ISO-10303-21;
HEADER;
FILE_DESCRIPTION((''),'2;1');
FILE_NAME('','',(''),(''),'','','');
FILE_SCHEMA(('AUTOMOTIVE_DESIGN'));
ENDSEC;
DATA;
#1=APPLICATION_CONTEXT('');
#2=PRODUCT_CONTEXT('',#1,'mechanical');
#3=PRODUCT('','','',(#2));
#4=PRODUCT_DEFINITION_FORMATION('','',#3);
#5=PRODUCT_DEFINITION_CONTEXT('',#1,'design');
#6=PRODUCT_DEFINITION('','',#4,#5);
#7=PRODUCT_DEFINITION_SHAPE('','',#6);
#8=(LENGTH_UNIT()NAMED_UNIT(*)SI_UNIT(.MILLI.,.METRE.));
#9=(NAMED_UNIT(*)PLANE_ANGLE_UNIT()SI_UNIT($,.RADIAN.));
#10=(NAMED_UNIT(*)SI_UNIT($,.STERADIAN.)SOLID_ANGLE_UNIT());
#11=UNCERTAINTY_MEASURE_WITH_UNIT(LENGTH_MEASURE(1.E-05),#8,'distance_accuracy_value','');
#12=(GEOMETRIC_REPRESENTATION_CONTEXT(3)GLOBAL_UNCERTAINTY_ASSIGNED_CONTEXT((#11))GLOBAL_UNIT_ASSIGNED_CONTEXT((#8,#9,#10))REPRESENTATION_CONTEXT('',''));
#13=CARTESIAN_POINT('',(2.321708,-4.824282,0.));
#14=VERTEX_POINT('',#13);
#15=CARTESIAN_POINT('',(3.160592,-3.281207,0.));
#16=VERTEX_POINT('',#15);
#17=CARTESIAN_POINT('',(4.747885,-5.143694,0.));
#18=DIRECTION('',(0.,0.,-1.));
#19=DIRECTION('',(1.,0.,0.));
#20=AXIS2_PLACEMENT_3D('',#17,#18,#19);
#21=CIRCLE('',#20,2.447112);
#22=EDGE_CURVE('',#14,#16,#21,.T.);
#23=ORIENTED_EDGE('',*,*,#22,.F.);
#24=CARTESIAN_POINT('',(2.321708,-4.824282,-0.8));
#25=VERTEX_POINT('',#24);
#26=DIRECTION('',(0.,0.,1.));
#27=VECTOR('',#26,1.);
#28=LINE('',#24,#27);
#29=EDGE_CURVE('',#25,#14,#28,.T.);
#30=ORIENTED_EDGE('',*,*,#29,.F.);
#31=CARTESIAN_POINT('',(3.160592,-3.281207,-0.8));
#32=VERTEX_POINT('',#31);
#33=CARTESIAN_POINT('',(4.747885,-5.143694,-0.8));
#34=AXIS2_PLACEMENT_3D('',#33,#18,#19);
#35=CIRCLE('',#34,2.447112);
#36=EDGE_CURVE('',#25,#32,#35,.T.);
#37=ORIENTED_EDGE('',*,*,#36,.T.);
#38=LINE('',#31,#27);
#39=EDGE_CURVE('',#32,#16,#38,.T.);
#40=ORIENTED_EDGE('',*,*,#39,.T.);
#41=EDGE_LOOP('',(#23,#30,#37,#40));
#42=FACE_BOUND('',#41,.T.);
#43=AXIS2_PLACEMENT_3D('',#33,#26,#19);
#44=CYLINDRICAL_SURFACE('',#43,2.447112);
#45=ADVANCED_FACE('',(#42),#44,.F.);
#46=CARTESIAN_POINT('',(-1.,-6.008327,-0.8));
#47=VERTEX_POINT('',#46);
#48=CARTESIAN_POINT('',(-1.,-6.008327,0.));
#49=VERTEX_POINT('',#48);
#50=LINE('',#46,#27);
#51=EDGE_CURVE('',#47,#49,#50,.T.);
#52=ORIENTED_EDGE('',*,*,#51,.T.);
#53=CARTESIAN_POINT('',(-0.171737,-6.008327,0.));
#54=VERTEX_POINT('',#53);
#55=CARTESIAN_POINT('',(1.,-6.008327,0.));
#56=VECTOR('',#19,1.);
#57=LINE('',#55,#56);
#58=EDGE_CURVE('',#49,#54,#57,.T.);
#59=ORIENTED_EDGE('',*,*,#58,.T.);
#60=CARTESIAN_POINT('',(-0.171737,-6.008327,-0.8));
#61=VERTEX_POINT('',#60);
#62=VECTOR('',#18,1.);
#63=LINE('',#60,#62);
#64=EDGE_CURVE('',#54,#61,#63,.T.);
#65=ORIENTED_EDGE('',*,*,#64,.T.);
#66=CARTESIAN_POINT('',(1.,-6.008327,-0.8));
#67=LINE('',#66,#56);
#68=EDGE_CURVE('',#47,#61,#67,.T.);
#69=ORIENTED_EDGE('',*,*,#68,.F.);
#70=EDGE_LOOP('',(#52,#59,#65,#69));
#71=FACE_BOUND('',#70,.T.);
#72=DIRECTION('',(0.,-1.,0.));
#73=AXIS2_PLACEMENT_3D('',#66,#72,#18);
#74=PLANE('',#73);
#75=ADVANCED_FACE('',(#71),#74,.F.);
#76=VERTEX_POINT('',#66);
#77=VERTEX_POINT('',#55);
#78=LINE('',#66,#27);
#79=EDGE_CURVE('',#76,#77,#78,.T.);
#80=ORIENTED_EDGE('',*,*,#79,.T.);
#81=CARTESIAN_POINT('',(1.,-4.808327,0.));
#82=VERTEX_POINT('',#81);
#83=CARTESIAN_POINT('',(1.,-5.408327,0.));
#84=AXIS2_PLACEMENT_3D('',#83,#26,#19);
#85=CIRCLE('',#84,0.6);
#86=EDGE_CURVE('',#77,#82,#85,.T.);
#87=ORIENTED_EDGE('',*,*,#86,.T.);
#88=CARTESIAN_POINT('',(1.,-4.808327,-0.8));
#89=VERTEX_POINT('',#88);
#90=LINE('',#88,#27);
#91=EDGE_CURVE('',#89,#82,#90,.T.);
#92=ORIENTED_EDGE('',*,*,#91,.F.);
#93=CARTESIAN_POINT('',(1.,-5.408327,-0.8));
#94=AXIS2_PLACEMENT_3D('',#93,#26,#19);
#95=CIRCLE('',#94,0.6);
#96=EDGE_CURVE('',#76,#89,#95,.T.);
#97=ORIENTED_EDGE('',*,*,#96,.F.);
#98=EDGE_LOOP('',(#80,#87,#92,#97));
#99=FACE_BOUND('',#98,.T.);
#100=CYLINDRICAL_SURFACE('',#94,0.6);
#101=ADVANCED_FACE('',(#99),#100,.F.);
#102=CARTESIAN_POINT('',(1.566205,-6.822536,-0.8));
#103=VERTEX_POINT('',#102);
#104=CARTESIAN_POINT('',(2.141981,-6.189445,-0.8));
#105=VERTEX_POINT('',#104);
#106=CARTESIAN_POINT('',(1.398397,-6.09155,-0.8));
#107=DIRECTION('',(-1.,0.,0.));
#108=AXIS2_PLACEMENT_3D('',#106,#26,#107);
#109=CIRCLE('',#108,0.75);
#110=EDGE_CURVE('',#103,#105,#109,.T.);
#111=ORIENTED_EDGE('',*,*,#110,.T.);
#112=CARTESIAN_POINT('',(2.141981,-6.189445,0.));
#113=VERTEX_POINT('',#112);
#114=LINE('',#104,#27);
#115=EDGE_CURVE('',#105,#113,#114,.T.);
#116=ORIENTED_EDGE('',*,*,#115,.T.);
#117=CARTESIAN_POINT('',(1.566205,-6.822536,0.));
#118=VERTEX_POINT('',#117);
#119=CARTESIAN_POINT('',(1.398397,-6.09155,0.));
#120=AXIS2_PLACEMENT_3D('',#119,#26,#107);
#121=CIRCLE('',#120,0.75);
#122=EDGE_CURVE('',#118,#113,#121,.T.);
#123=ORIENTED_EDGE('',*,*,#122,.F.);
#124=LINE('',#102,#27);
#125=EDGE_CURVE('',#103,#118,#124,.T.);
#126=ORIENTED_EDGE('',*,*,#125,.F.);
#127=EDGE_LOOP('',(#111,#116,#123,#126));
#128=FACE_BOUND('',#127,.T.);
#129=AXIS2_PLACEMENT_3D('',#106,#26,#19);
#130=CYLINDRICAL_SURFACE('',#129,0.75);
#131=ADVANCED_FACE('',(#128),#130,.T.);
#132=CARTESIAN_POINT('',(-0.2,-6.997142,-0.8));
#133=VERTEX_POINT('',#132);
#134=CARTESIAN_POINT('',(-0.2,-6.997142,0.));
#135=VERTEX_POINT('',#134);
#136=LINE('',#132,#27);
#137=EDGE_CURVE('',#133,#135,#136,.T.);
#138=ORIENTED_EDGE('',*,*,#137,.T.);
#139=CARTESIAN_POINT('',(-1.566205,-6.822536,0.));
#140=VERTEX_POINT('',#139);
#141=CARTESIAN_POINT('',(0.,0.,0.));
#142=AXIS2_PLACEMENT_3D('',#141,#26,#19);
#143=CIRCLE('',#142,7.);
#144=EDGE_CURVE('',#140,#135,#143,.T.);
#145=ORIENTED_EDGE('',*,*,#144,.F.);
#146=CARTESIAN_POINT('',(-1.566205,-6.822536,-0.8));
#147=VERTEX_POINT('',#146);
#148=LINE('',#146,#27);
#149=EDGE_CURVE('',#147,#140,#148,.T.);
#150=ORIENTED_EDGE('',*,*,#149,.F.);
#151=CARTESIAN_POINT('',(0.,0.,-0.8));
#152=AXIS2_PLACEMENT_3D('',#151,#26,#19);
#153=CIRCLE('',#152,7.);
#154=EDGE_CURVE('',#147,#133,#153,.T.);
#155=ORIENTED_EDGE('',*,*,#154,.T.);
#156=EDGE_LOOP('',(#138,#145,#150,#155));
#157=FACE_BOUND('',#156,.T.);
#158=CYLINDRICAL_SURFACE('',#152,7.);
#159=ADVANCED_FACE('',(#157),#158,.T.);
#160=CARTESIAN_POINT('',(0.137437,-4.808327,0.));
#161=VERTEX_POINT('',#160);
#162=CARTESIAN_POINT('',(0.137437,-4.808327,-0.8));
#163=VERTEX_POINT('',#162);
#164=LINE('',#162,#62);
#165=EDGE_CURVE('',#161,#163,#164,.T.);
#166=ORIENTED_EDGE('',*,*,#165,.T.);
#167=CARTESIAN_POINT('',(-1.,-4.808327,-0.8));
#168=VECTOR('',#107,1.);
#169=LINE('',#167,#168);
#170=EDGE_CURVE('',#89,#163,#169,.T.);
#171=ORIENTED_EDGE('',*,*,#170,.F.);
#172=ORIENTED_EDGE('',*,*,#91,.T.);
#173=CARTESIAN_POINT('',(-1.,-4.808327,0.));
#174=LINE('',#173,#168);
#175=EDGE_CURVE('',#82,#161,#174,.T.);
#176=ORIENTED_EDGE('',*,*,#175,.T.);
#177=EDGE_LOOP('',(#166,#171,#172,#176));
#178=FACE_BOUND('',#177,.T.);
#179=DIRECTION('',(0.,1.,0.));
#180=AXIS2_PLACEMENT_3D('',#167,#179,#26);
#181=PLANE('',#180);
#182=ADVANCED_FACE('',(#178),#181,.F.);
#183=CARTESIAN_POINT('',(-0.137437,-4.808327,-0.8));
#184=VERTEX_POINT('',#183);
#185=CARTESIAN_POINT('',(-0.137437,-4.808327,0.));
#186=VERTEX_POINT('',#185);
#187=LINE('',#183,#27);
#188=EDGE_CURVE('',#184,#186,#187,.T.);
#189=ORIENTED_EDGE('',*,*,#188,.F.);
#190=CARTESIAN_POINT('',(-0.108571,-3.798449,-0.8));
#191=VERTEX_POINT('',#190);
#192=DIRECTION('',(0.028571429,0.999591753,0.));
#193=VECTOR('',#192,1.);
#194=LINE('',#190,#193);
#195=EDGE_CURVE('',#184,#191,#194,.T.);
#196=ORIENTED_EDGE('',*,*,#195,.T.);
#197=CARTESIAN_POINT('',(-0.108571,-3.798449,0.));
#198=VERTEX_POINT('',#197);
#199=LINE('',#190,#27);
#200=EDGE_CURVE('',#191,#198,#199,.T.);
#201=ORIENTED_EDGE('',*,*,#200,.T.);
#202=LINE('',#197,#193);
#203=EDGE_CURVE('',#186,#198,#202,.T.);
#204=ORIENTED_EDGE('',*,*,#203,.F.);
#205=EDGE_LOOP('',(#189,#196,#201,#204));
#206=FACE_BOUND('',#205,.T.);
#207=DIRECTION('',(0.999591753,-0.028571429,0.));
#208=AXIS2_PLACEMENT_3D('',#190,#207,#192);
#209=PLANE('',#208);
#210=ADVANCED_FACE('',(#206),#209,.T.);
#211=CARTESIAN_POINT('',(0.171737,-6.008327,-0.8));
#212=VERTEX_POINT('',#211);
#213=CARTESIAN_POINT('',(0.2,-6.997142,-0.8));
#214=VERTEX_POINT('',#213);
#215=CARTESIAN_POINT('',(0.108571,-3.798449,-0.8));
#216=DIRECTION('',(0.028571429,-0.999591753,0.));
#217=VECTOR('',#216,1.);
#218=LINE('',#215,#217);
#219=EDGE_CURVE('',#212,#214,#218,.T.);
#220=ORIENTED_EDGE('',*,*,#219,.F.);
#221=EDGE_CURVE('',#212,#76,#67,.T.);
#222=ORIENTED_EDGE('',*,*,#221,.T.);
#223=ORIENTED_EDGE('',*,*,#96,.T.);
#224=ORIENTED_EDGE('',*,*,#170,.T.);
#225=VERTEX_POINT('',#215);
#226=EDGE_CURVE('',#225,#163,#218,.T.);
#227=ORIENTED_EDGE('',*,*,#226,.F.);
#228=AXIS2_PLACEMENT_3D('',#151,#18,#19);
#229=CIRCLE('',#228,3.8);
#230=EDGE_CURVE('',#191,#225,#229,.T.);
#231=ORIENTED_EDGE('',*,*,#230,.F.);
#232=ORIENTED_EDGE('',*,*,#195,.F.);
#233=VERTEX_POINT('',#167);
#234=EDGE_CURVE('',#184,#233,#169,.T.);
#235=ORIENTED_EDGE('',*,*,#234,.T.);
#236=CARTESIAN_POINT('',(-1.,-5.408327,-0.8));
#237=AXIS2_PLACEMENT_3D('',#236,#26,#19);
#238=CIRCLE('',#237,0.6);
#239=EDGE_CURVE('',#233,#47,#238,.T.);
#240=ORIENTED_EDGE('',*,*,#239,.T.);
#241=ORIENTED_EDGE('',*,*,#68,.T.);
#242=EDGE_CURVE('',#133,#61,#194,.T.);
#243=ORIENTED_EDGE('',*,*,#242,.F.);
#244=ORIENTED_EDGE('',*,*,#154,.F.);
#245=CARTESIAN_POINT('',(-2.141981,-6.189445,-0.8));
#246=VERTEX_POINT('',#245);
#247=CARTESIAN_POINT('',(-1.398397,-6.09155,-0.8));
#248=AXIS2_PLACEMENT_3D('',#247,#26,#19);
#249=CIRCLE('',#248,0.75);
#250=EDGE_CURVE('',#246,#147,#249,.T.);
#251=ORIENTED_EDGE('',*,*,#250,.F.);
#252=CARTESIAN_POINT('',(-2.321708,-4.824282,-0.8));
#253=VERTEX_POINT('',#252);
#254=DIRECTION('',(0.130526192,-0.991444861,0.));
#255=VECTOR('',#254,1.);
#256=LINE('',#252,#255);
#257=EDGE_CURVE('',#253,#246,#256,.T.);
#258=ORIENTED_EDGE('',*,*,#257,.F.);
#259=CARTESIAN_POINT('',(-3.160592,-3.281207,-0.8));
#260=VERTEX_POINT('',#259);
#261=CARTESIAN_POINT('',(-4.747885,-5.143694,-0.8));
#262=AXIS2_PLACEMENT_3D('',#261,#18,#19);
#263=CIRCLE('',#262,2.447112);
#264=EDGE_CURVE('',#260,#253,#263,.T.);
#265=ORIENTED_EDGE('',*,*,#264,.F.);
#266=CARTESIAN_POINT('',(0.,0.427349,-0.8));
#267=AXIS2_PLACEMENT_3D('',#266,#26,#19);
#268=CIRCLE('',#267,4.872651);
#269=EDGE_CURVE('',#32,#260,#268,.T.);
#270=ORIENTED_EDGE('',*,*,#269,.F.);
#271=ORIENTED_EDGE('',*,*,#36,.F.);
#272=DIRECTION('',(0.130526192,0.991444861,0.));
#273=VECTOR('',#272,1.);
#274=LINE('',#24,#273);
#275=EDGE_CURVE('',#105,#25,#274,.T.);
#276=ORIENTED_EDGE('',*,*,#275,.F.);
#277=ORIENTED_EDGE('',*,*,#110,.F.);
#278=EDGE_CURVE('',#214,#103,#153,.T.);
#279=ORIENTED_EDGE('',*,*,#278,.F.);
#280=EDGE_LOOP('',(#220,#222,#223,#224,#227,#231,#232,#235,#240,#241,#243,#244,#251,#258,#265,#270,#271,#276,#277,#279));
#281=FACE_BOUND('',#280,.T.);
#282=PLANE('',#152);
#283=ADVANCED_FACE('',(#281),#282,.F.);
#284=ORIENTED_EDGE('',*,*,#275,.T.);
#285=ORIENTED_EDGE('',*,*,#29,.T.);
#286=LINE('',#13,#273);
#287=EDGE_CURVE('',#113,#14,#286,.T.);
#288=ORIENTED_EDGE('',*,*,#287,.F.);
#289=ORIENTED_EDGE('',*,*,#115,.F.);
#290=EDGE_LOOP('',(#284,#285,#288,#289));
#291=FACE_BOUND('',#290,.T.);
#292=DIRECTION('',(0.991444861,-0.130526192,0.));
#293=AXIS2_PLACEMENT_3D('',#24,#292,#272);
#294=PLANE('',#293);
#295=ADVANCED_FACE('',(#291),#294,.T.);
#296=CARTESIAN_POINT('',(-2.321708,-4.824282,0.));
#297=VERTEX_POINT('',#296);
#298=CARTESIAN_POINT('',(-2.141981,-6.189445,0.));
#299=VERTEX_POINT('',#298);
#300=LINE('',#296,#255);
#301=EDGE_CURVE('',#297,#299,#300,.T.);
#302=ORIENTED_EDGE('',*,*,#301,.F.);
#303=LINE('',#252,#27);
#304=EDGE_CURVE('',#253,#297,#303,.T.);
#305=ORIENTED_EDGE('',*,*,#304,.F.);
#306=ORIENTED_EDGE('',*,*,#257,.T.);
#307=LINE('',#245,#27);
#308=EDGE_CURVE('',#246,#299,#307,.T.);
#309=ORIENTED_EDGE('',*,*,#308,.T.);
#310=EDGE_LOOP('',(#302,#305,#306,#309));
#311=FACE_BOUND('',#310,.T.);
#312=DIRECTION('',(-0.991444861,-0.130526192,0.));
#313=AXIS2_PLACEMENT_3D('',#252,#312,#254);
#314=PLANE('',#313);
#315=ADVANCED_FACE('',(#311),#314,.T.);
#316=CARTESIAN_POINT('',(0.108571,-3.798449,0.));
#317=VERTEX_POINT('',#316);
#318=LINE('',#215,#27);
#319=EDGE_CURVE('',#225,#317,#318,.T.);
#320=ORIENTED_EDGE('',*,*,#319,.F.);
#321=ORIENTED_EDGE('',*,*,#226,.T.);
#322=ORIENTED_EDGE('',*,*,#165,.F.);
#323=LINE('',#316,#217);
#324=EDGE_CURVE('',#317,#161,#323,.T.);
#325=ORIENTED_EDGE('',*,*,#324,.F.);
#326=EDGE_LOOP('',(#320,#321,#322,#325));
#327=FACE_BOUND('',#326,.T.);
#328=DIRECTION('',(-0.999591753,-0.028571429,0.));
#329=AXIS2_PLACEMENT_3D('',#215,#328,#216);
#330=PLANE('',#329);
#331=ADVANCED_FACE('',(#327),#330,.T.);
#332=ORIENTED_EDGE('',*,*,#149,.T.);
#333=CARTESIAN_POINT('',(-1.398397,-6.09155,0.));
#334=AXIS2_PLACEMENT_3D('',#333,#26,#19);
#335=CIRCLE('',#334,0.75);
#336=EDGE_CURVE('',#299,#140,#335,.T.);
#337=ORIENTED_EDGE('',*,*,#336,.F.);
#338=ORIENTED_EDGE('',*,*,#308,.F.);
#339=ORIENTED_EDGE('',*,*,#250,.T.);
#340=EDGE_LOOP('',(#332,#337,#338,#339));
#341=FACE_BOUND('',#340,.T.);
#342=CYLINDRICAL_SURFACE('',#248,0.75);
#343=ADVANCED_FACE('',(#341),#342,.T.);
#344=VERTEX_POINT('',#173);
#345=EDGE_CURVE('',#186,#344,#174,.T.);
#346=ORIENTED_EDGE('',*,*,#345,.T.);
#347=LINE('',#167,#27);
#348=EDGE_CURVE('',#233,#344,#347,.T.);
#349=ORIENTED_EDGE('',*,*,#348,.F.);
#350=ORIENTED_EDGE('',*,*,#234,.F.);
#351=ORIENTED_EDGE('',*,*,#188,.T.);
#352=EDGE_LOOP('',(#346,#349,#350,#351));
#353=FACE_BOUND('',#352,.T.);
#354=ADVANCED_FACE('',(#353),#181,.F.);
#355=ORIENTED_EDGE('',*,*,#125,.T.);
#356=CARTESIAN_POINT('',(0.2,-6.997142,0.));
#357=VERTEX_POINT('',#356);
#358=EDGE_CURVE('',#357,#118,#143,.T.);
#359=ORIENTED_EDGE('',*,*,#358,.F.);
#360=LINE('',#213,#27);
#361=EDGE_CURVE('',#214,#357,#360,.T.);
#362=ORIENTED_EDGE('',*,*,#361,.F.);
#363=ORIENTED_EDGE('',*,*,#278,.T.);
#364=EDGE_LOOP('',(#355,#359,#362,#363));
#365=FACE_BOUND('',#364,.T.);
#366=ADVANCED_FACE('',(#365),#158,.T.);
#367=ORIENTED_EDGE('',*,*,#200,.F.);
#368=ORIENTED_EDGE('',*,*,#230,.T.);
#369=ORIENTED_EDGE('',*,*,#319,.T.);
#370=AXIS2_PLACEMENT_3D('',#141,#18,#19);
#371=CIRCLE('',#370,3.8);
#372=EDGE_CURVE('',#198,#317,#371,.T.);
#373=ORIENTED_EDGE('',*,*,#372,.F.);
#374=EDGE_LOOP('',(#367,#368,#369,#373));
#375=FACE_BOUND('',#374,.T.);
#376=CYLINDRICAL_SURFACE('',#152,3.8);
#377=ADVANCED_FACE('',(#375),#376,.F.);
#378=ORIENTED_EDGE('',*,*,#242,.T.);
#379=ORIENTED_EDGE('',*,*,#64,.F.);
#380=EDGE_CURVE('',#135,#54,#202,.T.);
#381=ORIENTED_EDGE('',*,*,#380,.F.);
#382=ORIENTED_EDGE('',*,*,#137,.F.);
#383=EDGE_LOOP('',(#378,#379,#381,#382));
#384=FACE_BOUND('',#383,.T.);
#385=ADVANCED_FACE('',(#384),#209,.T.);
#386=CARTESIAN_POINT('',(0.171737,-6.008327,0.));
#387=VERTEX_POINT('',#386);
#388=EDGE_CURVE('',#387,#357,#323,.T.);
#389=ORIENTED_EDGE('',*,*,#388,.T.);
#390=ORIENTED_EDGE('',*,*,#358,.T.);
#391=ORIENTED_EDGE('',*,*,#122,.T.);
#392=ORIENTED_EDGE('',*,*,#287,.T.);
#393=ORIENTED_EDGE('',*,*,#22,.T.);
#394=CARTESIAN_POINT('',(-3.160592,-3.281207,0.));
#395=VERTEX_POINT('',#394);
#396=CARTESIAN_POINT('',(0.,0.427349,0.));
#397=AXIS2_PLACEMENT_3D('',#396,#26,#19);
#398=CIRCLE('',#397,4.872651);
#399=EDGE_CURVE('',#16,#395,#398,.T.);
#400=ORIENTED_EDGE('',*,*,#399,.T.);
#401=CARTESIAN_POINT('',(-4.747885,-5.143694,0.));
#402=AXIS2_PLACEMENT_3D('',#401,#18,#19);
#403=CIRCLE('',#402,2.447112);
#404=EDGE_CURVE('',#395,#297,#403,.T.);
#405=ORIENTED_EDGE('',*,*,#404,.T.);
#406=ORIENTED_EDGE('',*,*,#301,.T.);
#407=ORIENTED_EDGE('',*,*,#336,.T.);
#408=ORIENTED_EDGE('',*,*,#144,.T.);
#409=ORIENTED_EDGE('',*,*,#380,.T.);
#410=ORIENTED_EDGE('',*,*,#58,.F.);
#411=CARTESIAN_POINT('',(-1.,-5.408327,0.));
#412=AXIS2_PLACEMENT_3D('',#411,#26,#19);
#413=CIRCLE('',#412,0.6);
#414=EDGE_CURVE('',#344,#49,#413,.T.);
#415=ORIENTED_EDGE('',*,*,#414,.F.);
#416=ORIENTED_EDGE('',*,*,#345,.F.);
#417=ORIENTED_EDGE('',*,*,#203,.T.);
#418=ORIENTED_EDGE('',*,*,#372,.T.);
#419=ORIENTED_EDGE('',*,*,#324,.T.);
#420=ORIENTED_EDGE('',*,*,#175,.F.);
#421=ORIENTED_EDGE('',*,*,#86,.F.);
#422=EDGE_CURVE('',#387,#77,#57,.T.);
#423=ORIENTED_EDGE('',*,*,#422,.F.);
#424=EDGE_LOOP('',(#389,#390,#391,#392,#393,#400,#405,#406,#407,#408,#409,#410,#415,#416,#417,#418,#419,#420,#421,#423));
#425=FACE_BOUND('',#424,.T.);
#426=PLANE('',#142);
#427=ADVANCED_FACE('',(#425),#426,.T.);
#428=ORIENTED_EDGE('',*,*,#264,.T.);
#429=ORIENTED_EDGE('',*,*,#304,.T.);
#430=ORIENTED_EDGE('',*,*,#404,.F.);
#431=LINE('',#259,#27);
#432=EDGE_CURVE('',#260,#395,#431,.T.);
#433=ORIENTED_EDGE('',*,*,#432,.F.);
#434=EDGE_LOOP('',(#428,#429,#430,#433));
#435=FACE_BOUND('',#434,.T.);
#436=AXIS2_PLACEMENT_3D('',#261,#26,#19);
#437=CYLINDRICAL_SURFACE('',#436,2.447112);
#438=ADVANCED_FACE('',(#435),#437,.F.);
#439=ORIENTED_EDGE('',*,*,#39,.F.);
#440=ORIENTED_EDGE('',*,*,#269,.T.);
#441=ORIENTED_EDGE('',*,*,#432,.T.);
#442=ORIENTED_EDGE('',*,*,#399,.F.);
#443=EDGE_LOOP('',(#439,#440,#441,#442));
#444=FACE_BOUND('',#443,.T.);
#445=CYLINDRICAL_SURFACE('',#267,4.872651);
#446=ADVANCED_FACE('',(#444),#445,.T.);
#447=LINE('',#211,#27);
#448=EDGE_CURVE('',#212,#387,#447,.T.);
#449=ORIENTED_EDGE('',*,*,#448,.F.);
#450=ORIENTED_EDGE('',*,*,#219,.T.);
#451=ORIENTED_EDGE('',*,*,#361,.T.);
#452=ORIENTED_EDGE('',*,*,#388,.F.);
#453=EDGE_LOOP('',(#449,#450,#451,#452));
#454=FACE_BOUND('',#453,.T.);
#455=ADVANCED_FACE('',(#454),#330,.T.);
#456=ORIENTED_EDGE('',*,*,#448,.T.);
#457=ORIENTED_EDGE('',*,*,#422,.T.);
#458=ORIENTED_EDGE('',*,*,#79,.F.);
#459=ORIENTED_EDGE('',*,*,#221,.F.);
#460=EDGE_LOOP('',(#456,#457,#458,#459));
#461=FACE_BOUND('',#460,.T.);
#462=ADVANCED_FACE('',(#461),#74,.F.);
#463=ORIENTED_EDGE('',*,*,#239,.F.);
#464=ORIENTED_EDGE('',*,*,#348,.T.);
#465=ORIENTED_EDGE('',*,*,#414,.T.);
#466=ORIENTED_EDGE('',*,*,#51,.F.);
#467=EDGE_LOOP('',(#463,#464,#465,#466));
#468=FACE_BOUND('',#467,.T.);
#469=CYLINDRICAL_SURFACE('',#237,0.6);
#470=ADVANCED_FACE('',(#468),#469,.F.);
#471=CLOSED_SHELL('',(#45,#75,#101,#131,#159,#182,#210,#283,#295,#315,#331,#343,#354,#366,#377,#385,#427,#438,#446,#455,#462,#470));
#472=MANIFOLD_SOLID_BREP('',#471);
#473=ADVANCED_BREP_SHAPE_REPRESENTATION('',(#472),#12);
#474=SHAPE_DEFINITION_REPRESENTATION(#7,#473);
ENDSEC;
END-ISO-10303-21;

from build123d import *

# Parameters (mm, degrees)
BODYSKE_R   = 0.6
BODY_DEPTH  = 0.8
NOTSKE_W    = 2
NOTSKE_H    = 1.2
NOTCH_DEPTH = 1.8


with BuildPart() as part:
    # BodySke → Body (new body)
    with BuildSketch(Plane.XY):
        with BuildLine():
            Line((0.108571429, -3.798448663), (0.2, -6.997142274))
            ThreePointArc((0.2, -6.997142274), (0.887407187, -6.943522772), (1.566204647, -6.822536405))
            ThreePointArc((1.566204647, -6.822536405), (1.953248067, -6.596169328), (2.141980652, -6.189445006))
            Line((2.141980652, -6.189445006), (2.321707775, -4.824281977))
            ThreePointArc((2.321707775, -4.824281977), (2.597941642, -3.974889916), (3.160591953, -3.281206522))
            ThreePointArc((3.160591953, -3.281206522), (0, 5.3), (-3.160591953, -3.281206522))
            ThreePointArc((-3.160591953, -3.281206522), (-2.597941642, -3.974889916), (-2.321707775, -4.824281977))
            Line((-2.321707775, -4.824281977), (-2.141980652, -6.189445006))
            ThreePointArc((-2.141980652, -6.189445006), (-1.953248067, -6.596169328), (-1.566204647, -6.822536405))
            ThreePointArc((-1.566204647, -6.822536405), (-0.887407187, -6.943522772), (-0.2, -6.997142274))
            Line((-0.2, -6.997142274), (-0.108571429, -3.798448663))
            ThreePointArc((-0.108571429, -3.798448663), (0, 3.8), (0.108571429, -3.798448663))
        make_face()
        with Locations((1, -5.408326913)):
            Circle(BODYSKE_R, mode=Mode.SUBTRACT)
        with Locations((-1, -5.408326913)):
            Circle(BODYSKE_R, mode=Mode.SUBTRACT)
    extrude(amount=-BODY_DEPTH)

    # NotSke → Notch (cut, through all)
    with BuildSketch(Plane.XY):
        with Locations((0, -5.408326913)):
            Rectangle(NOTSKE_W, NOTSKE_H)
    extrude(amount=-NOTCH_DEPTH, mode=Mode.SUBTRACT)


solid = part.part
